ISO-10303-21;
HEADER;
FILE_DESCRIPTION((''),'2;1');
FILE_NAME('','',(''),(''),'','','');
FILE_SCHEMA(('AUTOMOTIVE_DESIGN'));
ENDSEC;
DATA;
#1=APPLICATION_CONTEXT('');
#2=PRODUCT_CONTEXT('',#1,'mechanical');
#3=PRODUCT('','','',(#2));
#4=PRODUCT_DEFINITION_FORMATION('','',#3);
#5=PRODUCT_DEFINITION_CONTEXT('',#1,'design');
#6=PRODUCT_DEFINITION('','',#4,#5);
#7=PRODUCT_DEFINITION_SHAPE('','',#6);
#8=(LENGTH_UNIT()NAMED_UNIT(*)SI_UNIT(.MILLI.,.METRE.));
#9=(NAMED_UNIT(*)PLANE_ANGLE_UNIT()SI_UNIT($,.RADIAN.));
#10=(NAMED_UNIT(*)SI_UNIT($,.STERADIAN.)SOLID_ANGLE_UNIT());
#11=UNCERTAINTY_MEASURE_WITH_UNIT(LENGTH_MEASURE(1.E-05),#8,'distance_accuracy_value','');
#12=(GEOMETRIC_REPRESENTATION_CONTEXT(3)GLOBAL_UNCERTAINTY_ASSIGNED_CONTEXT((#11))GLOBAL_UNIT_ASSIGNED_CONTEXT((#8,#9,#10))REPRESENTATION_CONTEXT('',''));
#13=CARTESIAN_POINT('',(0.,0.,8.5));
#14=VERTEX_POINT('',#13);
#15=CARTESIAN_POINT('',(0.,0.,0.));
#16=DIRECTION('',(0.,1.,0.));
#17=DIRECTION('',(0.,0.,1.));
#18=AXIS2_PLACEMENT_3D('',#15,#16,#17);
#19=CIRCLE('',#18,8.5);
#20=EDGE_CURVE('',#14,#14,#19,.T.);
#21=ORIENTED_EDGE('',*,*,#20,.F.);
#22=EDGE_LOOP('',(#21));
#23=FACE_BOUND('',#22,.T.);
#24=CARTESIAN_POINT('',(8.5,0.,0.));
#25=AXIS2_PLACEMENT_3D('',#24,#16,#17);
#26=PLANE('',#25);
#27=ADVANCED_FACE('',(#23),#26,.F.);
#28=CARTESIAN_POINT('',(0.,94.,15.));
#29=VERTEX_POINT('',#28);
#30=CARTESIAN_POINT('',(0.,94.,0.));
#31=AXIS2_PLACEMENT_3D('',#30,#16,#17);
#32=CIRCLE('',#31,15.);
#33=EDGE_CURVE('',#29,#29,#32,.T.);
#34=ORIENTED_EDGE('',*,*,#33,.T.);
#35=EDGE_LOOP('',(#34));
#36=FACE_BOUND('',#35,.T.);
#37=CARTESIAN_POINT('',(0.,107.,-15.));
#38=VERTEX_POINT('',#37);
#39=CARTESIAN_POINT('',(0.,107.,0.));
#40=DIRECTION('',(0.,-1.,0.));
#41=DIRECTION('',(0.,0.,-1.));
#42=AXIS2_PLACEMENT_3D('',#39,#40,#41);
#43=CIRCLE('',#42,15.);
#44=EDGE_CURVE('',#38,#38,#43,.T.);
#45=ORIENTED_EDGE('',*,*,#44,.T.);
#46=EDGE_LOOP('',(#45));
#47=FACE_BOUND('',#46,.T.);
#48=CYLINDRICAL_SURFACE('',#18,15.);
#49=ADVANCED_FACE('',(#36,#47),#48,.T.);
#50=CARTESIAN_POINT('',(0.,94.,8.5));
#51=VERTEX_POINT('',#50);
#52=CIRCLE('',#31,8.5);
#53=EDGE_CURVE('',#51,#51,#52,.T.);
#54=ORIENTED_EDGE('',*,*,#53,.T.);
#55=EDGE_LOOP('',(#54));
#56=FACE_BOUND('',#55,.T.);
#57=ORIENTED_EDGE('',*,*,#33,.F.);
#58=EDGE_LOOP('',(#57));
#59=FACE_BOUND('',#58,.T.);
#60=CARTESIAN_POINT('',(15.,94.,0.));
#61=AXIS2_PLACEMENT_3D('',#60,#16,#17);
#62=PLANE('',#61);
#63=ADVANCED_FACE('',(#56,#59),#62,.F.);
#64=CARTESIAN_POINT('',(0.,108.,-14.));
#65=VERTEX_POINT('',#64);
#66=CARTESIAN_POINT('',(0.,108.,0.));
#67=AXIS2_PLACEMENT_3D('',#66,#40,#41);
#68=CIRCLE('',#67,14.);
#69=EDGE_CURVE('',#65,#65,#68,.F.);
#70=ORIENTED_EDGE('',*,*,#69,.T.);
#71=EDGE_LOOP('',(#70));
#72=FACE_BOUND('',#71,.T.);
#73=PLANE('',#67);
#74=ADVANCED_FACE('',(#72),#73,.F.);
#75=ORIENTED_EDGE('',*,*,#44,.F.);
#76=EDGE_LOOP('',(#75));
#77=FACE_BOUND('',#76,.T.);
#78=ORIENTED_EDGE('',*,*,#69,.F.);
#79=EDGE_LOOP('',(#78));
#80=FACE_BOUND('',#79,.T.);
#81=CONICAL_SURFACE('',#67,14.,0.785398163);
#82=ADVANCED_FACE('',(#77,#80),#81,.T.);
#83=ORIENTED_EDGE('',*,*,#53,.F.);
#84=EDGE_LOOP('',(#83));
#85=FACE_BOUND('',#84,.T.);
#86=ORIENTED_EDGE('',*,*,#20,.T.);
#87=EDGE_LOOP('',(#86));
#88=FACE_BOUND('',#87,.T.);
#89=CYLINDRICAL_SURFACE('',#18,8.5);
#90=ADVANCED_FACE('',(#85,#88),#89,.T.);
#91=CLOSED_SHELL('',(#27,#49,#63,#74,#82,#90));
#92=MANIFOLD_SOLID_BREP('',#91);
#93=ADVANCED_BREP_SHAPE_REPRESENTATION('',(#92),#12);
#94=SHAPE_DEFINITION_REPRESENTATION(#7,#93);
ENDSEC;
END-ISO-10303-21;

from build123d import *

# Parameters (mm, degrees)
CHAMFER_1_SIZE = 1


with BuildPart() as part:
    # Эскиз1 → Повернуть1 (revolve)
    with BuildSketch(Plane.XY):
        Polygon((0, 0), (0, 108), (15, 108), (15, 94), (8.5, 94), (8.5, 0), align=None)
    revolve(axis=Axis((0, 0, 0), (0, -1, 0)))

    # Фаска1
    chamfer_1_edges = [part.edges().sort_by_distance(p)[0] for p in [
        (-15, 108, 0),
    ]]
    chamfer(chamfer_1_edges, length=CHAMFER_1_SIZE)


solid = part.part
